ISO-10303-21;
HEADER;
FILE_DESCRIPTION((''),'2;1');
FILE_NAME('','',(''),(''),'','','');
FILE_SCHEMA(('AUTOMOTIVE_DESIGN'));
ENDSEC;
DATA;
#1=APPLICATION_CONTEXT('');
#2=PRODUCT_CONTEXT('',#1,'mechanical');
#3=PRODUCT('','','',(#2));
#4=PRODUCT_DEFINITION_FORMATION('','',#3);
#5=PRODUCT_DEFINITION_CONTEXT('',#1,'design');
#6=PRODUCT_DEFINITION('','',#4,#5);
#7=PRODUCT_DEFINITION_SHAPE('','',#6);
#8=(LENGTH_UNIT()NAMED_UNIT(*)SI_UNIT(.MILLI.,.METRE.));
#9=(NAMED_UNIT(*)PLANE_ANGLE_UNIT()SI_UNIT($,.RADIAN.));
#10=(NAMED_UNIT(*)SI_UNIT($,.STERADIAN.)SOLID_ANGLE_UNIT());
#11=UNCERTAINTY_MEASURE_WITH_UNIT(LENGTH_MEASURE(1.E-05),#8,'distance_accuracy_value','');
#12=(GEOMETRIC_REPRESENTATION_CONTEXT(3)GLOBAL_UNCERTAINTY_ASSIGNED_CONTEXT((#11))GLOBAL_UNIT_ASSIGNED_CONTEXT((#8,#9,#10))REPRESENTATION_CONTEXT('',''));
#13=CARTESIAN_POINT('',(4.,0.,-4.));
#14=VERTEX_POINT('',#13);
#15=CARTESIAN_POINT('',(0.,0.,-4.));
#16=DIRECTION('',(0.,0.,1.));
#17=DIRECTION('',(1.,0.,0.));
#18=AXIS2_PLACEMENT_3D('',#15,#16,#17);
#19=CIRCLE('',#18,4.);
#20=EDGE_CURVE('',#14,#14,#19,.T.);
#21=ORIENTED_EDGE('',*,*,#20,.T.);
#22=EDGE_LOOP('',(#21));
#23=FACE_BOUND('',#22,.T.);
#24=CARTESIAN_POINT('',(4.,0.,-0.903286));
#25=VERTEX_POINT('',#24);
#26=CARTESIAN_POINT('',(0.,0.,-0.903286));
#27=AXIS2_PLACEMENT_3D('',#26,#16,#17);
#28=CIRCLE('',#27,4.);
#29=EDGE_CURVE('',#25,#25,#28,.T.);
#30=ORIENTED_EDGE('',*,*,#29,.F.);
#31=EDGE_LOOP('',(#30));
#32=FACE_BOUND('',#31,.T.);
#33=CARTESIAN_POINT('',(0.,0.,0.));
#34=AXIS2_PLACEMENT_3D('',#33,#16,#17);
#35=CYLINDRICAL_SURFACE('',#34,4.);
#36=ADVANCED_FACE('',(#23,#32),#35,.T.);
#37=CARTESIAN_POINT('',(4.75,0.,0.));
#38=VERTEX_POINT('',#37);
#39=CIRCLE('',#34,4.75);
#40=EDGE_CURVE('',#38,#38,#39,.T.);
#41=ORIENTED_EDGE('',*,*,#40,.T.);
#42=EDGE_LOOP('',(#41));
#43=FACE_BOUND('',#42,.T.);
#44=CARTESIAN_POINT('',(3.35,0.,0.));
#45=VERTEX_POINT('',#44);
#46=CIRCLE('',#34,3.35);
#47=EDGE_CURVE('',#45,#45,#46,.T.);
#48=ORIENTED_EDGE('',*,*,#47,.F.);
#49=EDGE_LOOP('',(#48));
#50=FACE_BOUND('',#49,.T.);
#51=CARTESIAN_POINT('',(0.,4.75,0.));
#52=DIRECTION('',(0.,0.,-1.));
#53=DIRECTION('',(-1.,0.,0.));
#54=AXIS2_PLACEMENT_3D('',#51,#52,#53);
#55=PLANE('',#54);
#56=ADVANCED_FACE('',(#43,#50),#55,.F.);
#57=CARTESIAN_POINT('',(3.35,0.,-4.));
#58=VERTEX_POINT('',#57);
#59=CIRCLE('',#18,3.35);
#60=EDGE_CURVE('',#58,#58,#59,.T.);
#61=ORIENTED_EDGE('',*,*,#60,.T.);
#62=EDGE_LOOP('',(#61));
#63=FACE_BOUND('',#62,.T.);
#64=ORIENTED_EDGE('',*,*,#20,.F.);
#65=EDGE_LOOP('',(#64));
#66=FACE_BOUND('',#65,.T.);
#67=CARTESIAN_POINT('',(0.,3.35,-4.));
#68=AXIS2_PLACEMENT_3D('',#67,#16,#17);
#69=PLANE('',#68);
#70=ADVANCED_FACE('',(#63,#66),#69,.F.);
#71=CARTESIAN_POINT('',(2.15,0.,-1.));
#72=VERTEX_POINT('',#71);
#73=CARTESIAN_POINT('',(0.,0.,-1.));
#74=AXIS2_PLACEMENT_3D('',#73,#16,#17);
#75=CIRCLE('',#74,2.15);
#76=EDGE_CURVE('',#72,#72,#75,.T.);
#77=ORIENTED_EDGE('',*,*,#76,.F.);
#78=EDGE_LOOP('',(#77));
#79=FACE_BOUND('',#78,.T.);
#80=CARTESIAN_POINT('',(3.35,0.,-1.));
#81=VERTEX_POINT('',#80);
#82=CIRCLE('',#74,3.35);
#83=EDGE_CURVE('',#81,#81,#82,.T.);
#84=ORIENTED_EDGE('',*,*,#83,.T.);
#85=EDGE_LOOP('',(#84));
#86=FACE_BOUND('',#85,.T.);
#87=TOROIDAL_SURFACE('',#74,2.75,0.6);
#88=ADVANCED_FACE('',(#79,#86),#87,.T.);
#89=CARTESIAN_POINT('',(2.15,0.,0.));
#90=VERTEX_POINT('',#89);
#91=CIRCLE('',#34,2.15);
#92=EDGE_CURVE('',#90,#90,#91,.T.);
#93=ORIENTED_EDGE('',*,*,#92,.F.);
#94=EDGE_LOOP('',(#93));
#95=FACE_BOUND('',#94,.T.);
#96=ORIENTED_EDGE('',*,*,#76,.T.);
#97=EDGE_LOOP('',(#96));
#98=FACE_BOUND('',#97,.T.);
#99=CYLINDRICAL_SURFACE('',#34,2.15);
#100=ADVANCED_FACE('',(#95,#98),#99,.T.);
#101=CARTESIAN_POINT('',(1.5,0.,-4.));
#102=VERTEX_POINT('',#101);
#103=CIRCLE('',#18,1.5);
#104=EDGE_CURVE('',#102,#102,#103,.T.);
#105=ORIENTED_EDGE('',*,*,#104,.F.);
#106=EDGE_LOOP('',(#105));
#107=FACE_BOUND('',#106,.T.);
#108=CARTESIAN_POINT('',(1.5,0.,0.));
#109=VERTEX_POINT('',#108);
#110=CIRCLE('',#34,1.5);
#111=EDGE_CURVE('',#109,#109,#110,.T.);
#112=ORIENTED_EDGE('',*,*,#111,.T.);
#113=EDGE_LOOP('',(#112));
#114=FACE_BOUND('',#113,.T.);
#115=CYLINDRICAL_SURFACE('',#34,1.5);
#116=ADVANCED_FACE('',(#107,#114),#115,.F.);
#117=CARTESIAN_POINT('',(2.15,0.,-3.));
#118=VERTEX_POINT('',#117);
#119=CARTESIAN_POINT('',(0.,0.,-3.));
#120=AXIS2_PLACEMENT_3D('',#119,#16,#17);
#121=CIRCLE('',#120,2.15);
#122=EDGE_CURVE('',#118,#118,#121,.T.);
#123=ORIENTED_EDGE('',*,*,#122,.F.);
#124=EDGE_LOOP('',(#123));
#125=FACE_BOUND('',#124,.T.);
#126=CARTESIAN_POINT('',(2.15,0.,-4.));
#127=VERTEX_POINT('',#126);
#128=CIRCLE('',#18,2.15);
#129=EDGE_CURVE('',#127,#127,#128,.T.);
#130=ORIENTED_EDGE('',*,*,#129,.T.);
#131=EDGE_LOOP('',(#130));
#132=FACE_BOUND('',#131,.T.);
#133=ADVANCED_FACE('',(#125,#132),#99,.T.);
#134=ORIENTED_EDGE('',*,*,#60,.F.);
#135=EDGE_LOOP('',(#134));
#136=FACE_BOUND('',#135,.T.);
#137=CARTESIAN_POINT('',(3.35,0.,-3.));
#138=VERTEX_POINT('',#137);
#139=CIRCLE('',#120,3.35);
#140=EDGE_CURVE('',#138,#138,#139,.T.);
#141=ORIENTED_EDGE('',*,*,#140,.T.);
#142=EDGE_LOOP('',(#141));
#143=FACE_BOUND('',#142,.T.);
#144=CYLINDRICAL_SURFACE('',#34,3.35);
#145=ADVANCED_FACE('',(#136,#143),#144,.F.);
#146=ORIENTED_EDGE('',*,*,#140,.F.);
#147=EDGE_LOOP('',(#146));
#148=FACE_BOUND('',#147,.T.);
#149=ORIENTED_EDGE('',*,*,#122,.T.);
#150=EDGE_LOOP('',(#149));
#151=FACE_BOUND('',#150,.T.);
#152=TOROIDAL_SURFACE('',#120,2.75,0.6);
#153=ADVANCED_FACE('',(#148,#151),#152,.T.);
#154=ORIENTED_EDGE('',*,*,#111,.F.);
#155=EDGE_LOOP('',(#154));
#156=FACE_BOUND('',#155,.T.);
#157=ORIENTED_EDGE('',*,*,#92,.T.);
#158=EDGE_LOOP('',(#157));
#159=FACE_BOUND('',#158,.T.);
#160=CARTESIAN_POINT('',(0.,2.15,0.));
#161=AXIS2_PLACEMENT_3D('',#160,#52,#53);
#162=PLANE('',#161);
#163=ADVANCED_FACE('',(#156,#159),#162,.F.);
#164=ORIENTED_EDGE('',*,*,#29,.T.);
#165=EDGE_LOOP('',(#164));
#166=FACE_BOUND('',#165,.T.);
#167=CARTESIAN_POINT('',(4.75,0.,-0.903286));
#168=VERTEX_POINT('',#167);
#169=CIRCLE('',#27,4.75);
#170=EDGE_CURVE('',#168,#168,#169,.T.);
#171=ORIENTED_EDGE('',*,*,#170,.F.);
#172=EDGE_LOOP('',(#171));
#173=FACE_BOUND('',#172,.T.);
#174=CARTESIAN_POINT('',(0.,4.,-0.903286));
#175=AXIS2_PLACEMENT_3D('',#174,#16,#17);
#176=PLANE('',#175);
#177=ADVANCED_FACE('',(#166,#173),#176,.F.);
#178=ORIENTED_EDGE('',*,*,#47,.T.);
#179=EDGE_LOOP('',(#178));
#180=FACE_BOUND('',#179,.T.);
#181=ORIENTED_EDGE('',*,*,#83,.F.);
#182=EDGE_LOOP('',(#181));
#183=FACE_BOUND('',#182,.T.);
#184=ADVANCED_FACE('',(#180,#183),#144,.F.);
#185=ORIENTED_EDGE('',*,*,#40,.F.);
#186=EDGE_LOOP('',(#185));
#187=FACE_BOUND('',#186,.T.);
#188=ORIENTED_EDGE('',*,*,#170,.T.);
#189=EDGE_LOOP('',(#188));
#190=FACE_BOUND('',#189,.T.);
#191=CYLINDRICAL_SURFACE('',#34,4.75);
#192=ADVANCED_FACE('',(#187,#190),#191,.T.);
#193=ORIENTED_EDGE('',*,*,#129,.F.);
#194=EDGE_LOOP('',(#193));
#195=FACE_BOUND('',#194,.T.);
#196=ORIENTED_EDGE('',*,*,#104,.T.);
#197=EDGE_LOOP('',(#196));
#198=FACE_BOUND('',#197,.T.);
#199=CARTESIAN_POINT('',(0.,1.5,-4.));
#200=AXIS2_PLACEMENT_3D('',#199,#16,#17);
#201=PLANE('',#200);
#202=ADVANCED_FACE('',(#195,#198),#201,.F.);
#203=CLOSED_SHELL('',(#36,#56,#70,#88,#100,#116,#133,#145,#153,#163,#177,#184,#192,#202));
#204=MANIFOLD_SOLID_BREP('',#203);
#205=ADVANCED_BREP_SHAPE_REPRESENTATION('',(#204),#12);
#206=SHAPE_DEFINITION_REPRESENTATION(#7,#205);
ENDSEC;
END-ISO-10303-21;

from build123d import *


with BuildPart() as part:
    # Esquisse1 → Révolution1 (revolve)
    with BuildSketch(Plane(origin=(0, 0, 0), x_dir=(0, 0, -1), z_dir=(1, 0, 0)), mode=Mode.PRIVATE) as r_volution1_sk:
        with BuildLine():
            Line((0, 1.5), (4, 1.5))
            Line((4, 1.5), (4, 2.15))
            Line((4, 2.15), (3, 2.15))
            ThreePointArc((3, 2.15), (3.6, 2.75), (3, 3.35))
            Line((3, 3.35), (4, 3.35))
            Line((4, 3.35), (4, 4))
            Line((4, 4), (0.903286234, 4))
            Line((0.903286234, 4), (0.903286234, 4.75))
            Line((0.903286234, 4.75), (0, 4.75))
            Line((0, 4.75), (0, 3.35))
            Line((0, 3.35), (1, 3.35))
            ThreePointArc((1, 3.35), (0.4, 2.75), (1, 2.15))
            Line((1, 2.15), (0, 2.15))
            Line((0, 2.15), (0, 1.5))
        make_face()
    revolve(r_volution1_sk.sketch.rotate(Axis((0, 0, 0), (0, 0, -1)), 90), axis=Axis((0, 0, 0), (0, 0, -1)))


solid = part.part
